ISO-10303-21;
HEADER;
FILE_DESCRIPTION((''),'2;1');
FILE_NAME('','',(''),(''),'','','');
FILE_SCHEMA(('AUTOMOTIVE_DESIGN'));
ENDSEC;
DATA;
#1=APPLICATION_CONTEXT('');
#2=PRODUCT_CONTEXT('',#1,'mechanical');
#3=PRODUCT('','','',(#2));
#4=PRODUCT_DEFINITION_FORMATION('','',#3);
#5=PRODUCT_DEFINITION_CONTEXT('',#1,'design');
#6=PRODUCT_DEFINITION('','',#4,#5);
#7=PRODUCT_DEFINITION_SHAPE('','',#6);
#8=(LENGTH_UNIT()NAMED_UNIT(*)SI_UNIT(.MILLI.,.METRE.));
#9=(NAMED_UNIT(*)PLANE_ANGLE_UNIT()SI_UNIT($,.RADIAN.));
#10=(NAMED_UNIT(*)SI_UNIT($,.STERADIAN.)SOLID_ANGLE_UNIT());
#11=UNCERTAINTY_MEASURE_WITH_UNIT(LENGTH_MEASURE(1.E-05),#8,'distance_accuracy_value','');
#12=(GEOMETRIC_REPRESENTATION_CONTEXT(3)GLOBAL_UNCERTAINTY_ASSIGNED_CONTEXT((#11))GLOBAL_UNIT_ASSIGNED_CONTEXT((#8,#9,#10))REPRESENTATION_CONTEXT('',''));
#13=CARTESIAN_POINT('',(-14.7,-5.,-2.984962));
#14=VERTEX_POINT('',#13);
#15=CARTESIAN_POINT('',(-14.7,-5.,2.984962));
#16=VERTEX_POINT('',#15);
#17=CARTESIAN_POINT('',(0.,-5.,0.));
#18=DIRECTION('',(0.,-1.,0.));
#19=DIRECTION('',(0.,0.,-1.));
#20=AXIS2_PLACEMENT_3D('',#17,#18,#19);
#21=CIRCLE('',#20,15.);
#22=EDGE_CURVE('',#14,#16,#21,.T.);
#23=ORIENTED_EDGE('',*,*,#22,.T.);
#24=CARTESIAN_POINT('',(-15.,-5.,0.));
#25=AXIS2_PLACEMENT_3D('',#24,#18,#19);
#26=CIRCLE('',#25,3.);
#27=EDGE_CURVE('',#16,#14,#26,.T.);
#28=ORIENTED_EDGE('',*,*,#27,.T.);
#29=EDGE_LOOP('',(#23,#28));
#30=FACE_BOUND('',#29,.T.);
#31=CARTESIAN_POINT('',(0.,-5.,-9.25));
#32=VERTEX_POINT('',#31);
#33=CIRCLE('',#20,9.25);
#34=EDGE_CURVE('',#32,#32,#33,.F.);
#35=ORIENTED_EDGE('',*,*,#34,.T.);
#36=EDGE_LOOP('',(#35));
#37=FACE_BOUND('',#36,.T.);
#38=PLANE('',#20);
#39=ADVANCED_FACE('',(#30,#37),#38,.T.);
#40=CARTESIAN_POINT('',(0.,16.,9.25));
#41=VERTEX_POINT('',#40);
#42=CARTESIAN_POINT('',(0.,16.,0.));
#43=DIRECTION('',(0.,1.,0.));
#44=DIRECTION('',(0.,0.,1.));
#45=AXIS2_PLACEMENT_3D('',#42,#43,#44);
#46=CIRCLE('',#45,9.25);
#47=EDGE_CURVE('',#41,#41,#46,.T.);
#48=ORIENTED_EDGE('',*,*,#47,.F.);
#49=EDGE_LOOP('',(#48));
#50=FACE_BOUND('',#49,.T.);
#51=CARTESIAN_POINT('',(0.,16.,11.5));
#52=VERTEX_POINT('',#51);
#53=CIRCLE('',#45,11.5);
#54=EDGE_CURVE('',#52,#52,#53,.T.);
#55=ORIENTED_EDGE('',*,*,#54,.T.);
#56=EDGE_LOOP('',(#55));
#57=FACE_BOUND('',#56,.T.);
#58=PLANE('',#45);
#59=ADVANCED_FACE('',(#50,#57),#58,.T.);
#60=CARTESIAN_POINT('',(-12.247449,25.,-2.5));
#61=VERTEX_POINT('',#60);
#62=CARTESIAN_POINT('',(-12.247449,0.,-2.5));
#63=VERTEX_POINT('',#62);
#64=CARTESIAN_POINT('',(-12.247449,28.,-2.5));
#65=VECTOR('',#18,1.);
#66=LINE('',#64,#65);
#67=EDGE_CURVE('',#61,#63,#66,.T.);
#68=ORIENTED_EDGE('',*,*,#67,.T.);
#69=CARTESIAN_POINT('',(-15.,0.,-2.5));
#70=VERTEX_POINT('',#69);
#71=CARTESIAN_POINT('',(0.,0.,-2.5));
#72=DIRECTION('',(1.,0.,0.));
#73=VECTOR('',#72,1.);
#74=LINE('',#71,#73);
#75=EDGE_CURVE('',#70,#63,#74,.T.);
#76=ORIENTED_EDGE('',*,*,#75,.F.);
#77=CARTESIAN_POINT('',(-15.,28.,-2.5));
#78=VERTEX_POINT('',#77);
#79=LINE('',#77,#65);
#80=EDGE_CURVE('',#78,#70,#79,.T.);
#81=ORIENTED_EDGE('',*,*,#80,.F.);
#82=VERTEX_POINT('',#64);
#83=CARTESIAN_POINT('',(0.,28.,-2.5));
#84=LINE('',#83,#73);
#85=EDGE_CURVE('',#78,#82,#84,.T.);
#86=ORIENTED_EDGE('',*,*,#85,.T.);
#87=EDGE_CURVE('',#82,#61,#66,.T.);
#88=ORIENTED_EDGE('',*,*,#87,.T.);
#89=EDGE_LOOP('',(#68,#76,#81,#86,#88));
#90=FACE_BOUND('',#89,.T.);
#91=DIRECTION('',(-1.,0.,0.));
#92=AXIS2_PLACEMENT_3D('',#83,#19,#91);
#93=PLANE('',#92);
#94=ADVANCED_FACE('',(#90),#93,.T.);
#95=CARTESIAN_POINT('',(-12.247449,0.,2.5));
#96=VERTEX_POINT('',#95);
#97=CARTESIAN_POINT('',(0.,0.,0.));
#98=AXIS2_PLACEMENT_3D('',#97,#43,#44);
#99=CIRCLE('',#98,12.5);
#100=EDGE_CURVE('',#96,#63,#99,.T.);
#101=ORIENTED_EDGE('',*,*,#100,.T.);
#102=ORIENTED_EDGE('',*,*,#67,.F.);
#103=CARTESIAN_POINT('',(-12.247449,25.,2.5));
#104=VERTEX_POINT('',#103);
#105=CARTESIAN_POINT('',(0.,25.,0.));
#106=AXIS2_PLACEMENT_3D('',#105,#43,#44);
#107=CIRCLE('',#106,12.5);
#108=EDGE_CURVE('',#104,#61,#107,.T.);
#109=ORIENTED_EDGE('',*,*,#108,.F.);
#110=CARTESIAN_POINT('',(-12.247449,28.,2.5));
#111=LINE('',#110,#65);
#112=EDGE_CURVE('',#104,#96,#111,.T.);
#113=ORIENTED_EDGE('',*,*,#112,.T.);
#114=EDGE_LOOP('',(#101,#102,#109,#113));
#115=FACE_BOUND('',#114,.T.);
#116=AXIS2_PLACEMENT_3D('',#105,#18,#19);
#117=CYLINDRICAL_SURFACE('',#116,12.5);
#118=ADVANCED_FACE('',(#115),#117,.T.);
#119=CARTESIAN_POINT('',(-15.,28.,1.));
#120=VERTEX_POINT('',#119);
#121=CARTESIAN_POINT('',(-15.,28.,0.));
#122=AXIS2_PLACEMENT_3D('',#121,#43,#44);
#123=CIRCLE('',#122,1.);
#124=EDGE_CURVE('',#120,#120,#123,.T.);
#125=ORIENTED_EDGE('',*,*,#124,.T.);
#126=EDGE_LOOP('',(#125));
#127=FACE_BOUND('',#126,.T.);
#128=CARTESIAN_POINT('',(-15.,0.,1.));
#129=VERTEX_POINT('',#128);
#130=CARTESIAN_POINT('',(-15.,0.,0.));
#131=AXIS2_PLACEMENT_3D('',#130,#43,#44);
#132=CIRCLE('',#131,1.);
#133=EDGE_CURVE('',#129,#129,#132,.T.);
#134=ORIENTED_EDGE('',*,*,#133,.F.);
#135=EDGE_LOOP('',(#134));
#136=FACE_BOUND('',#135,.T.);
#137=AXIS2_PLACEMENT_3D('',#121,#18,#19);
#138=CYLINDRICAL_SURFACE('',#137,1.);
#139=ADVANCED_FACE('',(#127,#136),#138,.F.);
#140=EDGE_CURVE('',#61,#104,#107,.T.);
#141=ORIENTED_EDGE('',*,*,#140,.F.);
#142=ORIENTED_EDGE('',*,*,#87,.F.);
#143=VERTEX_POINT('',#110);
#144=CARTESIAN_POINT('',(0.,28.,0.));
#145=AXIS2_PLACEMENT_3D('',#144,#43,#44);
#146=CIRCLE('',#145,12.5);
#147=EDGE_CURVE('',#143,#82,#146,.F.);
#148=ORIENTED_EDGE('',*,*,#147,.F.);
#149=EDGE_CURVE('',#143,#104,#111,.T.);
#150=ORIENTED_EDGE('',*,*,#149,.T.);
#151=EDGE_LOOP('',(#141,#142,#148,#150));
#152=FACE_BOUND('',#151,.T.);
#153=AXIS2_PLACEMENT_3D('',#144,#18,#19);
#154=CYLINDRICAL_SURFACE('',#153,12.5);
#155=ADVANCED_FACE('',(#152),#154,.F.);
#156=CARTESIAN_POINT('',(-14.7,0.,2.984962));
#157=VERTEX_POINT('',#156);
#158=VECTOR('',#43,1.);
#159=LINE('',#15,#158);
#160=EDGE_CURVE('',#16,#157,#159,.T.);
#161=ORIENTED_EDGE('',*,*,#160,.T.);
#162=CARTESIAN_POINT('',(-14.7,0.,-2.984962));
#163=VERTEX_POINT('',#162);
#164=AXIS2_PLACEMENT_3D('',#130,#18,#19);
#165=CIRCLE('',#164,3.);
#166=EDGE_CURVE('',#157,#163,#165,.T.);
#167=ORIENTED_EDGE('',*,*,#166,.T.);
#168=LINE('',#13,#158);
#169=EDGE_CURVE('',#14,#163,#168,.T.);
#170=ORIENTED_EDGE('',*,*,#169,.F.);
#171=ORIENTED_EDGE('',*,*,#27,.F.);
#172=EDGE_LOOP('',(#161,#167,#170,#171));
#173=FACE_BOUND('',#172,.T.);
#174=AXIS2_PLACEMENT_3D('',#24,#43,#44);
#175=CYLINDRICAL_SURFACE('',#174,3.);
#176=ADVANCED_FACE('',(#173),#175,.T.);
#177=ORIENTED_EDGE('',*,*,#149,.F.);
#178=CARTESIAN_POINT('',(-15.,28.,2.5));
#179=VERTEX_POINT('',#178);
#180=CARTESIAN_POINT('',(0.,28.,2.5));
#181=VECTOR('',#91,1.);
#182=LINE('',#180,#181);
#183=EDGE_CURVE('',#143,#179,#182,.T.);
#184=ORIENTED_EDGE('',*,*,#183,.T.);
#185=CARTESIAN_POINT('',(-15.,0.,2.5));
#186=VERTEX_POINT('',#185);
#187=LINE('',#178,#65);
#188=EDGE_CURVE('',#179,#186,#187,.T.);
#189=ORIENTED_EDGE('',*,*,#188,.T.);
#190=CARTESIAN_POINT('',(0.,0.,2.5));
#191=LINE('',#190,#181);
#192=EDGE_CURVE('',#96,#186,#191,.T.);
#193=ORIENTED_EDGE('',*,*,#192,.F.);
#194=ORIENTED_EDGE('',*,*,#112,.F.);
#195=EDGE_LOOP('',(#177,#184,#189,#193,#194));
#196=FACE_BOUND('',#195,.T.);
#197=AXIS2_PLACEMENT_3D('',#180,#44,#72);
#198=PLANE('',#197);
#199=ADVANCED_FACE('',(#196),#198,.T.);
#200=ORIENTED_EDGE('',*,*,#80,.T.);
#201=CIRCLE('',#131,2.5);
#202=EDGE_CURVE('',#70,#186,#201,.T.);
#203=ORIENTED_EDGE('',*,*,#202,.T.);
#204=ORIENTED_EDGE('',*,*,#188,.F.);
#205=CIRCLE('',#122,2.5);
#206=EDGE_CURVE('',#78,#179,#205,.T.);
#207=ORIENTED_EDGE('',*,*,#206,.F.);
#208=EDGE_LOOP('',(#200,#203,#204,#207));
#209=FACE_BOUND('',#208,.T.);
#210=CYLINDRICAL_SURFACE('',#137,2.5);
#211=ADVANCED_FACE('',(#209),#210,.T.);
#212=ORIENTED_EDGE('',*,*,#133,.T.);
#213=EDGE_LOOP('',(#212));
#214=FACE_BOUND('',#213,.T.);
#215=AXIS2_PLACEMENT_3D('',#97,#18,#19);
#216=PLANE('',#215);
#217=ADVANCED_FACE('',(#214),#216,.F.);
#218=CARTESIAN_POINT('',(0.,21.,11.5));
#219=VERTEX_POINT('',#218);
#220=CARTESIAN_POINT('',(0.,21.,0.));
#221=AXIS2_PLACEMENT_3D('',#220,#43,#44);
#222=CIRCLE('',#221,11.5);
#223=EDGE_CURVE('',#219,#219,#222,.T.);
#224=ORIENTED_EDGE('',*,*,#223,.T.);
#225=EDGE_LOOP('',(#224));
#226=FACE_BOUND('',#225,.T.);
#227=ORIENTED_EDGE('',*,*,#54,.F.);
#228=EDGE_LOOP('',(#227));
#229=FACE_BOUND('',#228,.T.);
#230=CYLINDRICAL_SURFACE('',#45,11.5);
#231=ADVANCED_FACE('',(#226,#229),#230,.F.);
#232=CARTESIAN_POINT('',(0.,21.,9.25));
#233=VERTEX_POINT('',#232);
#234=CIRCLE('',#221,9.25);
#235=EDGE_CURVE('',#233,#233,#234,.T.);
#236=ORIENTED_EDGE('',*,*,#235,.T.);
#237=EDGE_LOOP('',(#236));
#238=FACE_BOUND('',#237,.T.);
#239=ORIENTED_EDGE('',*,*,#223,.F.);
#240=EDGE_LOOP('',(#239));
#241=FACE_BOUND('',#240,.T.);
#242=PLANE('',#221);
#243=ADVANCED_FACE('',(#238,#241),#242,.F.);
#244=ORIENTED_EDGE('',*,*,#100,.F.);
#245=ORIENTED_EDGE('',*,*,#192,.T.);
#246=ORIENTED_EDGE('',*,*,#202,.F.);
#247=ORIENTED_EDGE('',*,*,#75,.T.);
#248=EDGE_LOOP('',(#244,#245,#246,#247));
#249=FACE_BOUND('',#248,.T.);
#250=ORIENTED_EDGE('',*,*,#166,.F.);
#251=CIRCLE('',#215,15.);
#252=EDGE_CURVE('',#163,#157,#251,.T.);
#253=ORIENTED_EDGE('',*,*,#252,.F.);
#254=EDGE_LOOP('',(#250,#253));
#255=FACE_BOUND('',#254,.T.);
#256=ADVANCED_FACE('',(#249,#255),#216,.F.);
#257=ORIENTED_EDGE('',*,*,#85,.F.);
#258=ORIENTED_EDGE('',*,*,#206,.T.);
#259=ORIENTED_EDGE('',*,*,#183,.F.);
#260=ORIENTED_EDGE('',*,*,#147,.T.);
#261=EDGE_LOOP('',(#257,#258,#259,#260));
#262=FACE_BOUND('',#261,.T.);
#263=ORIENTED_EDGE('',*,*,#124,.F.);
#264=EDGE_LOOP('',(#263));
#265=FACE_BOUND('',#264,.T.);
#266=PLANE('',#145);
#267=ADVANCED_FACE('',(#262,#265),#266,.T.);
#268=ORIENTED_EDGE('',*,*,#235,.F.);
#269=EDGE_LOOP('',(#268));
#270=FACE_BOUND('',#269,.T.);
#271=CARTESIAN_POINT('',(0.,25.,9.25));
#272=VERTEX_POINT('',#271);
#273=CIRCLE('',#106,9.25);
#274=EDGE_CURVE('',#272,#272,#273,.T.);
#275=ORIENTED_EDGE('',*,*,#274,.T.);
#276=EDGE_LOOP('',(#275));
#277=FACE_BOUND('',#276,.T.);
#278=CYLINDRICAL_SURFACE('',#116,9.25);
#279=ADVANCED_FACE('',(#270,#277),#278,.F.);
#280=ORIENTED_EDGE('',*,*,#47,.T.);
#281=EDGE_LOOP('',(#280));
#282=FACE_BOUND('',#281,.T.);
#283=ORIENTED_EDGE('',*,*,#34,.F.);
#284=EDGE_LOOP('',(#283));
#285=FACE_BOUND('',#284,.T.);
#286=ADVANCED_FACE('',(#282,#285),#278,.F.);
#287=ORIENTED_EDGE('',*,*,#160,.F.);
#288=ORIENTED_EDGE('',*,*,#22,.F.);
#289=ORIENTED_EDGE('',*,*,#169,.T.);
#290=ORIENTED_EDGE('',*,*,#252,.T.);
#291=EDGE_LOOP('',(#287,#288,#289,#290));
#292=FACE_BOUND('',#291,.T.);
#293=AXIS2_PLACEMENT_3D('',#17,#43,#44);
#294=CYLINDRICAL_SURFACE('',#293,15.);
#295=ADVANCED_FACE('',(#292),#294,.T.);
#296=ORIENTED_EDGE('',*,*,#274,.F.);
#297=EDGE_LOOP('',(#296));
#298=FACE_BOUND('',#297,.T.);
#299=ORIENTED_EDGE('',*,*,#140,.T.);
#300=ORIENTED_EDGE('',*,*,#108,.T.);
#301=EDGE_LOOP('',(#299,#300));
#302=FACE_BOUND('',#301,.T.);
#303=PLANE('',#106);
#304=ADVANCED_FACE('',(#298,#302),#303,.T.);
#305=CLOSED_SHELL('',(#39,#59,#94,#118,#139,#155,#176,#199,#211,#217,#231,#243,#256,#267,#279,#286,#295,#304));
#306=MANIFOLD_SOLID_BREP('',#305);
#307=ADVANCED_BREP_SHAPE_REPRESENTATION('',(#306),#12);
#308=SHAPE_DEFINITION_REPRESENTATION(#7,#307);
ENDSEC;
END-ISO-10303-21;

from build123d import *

# Parameters (mm, degrees)
SKETCH1_R           = 12.5
SKETCH1_R_2         = 11.5
SKETCH1_R_3         = 9.25
BOSS_EXTRUDE1_DEPTH = 25
CUT_EXTRUDE1_START  = -5
SKETCH2_R           = 11.5
SKETCH2_R_2         = 9.25
CUT_EXTRUDE1_DEPTH  = 5
BOSS_EXTRUDE2_START = 5
SKETCH3_R           = 9.25
BOSS_EXTRUDE2_DEPTH = 5
SKETCH4_R           = 1
BOSS_EXTRUDE5_DEPTH = 28


with BuildPart() as part:
    # Sketch1 → Boss-Extrude1 (new body)
    # profile 1 of 2: a face of its own
    with BuildSketch(Plane(origin=(0, 0, 0), x_dir=(1, 0, 0), z_dir=(0, 1, 0))):
        with Locations(Location((0, 0, 0), (0, 0, 270))):
            Circle(SKETCH1_R)
        Circle(SKETCH1_R_2, mode=Mode.SUBTRACT)
    # profile 2 of 2: a face of its own
    with BuildSketch(Plane(origin=(0, 0, 0), x_dir=(1, 0, 0), z_dir=(0, 1, 0))):
        Circle(SKETCH1_R_2)
        with Locations(Location((0, 0, 0), (0, 0, 270))):
            Circle(SKETCH1_R_3, mode=Mode.SUBTRACT)
    extrude(amount=BOSS_EXTRUDE1_DEPTH)

    # Sketch2 → Cut-Extrude1 (cut)
    with BuildSketch(Plane(origin=(0, 21, 0), x_dir=(1, 0, 0), z_dir=(0, 1, 0)).offset(CUT_EXTRUDE1_START)):
        with Locations(Location((0, 0, 0), (0, 0, 270))):
            Circle(SKETCH2_R)
        with Locations(Location((0, 0, 0), (0, 0, 270))):
            Circle(SKETCH2_R_2, mode=Mode.SUBTRACT)
    extrude(amount=CUT_EXTRUDE1_DEPTH, mode=Mode.SUBTRACT)

    # Sketch3 → Boss-Extrude2 (add)
    with BuildSketch(Plane.XZ.offset(BOSS_EXTRUDE2_START)):
        with BuildLine():
            ThreePointArc((-14.7, -2.984962311), (15, 0), (-14.7, 2.984962311))
            ThreePointArc((-14.7, 2.984962311), (-18, 0), (-14.7, -2.984962311))
        make_face()
        with Locations(Location((0, 0, 0), (0, 0, 270))):
            Circle(SKETCH3_R, mode=Mode.SUBTRACT)
    extrude(amount=-BOSS_EXTRUDE2_DEPTH)

    # Sketch4 → Boss-Extrude5 (add)
    with BuildSketch(Plane(origin=(0, 0, 0), x_dir=(1, 0, 0), z_dir=(0, 1, 0))):
        with BuildLine():
            Line((-12.247448714, 2.5), (-15, 2.5))
            ThreePointArc((-15, 2.5), (-17.5, 0), (-15, -2.5))
            Line((-15, -2.5), (-12.247448714, -2.5))
            ThreePointArc((-12.247448714, -2.5), (-12.5, 0), (-12.247448714, 2.5))
        make_face()
        with Locations(Location((-15, 0, 0), (0, 0, 270))):
            Circle(SKETCH4_R, mode=Mode.SUBTRACT)
    extrude(amount=BOSS_EXTRUDE5_DEPTH)


solid = part.part
